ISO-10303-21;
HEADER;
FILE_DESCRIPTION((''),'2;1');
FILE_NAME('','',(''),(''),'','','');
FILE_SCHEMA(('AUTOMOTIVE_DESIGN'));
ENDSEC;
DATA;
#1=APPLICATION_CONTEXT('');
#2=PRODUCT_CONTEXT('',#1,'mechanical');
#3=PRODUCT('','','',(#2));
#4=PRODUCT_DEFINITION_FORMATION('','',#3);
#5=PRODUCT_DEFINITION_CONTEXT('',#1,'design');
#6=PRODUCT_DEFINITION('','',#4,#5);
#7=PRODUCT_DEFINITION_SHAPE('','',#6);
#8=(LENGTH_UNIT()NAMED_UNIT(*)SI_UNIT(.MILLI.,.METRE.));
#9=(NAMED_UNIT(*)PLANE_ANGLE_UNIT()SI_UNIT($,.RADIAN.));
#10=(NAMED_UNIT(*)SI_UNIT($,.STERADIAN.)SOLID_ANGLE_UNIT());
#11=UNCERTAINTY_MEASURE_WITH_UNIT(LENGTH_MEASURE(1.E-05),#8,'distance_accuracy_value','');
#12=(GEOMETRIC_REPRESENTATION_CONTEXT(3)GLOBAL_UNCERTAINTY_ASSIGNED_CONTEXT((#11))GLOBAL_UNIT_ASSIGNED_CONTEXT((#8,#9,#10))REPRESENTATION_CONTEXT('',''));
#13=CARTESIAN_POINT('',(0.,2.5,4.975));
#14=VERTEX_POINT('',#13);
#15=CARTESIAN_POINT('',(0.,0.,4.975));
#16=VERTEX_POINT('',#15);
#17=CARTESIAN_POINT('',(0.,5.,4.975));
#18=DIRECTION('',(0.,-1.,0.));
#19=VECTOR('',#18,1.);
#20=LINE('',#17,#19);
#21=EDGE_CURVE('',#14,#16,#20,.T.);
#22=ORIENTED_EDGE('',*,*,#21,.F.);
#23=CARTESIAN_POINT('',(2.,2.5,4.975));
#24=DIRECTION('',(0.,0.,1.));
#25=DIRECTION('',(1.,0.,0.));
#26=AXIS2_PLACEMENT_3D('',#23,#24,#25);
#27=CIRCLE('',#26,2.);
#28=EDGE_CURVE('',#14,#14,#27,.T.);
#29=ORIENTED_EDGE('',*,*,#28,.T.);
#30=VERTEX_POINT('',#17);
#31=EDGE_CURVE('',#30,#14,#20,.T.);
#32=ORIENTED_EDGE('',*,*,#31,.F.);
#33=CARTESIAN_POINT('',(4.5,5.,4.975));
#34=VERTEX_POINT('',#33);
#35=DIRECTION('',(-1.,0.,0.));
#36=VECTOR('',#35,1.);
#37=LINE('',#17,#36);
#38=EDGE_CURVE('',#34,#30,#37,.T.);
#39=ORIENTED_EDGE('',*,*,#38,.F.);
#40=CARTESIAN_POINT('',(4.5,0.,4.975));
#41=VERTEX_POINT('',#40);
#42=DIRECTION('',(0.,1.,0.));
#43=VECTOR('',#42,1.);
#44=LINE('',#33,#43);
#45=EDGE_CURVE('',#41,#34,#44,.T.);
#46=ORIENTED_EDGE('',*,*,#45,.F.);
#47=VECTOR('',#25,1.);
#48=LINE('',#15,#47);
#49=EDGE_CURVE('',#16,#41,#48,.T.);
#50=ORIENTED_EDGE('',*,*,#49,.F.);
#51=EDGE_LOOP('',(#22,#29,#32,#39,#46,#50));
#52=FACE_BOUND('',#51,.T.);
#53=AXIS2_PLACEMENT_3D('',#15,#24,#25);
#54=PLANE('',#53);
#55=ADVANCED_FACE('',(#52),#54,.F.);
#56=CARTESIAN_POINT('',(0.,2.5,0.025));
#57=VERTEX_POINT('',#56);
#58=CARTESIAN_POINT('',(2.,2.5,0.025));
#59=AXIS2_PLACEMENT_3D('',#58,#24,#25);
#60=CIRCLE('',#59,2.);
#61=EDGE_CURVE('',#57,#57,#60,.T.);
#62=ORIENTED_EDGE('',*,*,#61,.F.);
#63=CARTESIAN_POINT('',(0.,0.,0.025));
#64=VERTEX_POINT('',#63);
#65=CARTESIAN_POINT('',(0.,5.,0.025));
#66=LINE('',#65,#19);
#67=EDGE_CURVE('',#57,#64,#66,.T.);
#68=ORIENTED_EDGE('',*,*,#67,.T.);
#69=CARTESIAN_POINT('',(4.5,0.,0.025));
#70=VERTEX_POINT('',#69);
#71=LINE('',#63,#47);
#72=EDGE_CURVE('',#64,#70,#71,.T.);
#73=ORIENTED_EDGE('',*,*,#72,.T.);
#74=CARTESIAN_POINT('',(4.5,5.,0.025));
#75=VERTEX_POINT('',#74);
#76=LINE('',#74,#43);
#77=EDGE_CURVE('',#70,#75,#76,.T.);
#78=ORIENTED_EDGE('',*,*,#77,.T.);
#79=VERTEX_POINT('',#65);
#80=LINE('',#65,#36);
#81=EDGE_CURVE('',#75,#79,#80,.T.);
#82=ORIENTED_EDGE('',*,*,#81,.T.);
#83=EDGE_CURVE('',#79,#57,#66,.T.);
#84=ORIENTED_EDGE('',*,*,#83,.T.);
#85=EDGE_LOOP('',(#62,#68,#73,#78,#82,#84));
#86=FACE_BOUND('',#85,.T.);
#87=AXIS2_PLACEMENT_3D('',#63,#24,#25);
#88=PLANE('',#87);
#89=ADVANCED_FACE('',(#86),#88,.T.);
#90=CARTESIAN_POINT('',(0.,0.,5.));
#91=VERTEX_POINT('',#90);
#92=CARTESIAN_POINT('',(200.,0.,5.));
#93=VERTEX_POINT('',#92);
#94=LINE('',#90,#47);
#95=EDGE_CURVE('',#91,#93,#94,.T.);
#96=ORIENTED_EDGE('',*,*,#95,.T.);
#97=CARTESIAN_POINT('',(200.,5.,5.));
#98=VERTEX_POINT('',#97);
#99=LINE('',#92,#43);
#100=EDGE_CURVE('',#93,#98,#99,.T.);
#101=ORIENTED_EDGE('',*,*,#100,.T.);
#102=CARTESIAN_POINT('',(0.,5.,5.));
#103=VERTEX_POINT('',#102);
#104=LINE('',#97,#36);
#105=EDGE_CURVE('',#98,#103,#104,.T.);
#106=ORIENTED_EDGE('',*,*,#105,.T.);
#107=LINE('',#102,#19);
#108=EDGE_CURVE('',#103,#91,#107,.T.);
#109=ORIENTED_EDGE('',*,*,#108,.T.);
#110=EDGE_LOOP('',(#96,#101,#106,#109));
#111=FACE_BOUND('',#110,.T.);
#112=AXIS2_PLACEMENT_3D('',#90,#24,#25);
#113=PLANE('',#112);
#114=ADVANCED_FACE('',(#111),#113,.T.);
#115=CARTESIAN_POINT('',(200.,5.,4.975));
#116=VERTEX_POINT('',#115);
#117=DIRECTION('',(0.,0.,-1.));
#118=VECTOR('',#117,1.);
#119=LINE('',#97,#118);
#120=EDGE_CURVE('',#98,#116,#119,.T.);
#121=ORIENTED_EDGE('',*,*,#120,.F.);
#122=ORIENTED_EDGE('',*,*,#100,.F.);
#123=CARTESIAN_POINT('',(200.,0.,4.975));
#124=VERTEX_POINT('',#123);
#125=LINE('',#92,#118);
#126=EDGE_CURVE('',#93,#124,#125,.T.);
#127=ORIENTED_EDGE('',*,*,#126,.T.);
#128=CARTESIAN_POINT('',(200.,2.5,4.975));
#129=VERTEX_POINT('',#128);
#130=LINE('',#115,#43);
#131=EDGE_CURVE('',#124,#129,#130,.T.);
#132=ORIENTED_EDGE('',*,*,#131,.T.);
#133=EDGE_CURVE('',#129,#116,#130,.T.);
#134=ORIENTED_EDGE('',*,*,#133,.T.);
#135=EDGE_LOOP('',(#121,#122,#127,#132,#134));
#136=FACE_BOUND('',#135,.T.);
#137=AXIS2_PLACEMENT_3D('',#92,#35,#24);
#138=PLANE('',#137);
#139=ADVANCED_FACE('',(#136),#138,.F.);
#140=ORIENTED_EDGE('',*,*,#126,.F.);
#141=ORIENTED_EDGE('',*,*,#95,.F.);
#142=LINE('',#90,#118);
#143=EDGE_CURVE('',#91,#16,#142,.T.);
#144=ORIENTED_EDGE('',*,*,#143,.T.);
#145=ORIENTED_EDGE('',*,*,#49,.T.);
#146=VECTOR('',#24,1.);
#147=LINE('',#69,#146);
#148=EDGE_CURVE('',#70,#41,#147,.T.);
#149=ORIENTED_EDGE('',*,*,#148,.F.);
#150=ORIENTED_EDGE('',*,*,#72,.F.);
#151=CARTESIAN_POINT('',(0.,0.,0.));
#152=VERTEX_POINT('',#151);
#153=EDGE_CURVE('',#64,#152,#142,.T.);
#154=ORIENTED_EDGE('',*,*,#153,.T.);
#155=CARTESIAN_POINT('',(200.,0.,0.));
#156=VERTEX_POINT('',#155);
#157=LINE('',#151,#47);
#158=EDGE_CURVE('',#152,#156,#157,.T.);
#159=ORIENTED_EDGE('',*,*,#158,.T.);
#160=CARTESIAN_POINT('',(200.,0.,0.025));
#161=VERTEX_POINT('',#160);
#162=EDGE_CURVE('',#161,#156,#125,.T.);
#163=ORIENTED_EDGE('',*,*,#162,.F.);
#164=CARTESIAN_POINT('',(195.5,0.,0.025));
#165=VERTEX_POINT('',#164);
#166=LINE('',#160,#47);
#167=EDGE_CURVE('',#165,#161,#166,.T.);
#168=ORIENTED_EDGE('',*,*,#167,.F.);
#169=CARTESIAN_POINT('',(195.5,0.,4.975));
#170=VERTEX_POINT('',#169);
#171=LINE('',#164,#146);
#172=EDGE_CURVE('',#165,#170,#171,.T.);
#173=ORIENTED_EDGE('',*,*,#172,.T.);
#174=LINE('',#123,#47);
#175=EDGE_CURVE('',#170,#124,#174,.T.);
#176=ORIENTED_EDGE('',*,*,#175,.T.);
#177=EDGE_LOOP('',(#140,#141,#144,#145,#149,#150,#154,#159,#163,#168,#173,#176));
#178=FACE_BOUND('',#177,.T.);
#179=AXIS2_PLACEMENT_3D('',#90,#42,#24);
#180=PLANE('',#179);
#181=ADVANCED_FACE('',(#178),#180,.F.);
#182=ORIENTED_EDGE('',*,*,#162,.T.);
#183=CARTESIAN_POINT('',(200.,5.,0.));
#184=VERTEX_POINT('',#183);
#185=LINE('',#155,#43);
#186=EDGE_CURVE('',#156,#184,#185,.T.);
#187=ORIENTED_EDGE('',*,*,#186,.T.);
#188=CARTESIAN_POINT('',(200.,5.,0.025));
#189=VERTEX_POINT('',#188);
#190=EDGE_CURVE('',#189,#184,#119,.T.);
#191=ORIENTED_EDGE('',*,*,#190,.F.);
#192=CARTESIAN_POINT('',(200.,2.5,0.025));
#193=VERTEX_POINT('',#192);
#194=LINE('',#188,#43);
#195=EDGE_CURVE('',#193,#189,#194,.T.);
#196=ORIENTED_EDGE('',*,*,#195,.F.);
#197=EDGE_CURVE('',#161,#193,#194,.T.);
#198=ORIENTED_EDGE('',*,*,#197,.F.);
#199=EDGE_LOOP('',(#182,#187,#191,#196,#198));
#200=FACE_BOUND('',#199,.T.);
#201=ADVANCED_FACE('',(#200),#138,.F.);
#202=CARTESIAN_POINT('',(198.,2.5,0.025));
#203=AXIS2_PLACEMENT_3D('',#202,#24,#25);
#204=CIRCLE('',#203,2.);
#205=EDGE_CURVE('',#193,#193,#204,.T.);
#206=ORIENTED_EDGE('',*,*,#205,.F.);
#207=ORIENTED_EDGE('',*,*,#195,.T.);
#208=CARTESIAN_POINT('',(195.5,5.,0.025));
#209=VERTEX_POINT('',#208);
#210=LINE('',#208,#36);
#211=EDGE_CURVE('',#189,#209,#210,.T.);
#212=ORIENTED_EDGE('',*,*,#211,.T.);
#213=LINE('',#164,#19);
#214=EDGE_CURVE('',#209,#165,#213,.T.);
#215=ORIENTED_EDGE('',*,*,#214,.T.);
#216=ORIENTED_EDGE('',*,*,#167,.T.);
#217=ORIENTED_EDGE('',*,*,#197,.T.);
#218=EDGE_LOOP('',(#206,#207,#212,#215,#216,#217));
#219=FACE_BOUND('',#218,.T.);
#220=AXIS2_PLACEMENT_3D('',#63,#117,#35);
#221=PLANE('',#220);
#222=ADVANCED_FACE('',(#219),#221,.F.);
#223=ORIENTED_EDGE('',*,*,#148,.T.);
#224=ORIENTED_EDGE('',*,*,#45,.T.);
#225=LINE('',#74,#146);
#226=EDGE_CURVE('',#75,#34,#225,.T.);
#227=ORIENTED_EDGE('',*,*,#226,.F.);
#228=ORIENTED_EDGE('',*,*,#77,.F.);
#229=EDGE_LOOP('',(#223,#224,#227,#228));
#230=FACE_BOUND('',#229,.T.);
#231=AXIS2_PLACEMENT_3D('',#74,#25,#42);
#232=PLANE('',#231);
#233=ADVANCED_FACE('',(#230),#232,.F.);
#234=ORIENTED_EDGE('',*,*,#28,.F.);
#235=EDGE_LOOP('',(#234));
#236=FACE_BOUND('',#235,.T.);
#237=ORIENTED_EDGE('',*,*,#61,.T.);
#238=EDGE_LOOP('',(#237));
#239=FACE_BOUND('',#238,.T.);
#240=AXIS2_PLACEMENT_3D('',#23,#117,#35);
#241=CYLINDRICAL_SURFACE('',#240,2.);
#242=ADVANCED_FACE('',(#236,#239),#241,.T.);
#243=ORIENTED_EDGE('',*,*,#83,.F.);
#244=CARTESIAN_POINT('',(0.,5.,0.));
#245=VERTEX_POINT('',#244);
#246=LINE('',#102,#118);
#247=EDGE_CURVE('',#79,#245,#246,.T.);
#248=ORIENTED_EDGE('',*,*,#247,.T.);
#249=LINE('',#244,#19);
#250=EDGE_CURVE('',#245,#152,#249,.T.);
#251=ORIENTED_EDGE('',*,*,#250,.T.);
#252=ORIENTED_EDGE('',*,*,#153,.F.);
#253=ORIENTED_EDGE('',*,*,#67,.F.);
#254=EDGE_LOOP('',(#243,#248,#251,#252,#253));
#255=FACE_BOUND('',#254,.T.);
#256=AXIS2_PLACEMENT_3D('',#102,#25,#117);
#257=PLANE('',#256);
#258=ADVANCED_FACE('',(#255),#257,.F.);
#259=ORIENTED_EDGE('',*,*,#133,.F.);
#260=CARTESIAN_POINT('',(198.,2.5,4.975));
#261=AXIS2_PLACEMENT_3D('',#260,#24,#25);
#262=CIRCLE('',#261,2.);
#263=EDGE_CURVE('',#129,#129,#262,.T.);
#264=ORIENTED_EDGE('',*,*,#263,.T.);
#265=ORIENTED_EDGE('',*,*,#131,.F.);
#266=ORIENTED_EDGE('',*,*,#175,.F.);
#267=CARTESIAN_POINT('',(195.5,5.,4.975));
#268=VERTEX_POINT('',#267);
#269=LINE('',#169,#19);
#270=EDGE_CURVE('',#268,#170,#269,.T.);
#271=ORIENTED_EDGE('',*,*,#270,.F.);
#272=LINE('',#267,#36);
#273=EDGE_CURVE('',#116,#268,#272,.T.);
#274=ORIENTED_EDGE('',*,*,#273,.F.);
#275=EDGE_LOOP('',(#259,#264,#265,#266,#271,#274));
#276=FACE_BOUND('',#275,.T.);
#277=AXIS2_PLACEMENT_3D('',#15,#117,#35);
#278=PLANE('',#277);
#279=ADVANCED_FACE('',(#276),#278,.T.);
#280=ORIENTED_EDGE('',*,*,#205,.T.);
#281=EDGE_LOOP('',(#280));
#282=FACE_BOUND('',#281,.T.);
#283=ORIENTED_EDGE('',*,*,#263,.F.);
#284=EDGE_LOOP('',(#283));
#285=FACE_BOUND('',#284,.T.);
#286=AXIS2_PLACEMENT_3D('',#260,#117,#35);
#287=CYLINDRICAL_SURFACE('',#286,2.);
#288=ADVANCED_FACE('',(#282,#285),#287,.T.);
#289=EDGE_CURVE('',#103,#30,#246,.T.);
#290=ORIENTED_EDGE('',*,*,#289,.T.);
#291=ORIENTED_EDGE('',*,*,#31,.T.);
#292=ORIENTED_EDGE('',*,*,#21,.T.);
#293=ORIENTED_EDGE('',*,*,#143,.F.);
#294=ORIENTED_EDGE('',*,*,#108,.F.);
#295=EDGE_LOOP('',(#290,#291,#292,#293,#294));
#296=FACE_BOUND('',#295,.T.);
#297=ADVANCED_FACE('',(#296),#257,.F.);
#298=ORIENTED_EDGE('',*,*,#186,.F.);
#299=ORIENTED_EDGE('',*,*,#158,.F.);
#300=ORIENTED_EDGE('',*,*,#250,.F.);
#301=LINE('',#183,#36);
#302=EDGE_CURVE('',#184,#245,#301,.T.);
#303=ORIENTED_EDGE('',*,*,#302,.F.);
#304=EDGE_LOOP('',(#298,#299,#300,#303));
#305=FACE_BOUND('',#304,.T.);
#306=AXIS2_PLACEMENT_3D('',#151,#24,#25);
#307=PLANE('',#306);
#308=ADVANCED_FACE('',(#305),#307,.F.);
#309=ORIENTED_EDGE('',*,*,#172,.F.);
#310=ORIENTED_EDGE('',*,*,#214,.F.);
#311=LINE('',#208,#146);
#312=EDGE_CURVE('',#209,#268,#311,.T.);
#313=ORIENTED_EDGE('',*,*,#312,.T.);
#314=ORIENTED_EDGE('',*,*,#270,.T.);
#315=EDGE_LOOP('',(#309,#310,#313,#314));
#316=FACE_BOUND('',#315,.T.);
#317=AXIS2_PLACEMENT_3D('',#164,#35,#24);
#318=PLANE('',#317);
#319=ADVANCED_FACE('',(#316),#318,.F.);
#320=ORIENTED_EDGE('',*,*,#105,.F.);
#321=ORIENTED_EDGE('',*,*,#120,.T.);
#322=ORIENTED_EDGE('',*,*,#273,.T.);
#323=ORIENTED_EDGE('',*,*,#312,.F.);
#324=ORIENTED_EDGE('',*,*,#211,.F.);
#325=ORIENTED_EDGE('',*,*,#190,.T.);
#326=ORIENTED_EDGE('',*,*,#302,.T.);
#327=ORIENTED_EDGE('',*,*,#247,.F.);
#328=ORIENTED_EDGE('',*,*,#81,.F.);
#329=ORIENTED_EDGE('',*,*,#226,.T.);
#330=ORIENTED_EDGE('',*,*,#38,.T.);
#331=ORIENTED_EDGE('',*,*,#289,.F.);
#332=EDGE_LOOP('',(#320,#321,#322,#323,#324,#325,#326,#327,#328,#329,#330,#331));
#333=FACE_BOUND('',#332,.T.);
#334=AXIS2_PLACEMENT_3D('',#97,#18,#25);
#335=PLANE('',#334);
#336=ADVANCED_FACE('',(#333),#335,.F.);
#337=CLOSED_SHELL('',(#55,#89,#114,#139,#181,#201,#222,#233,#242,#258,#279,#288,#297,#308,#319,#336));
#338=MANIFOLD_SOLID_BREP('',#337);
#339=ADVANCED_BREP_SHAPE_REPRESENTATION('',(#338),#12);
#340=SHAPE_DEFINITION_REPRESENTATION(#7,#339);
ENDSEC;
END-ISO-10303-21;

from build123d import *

# Parameters (mm, degrees)
SKETCH1_W           = 200
SKETCH1_H           = 5
BOSS_EXTRUDE1_DEPTH = 5
SKETCH2_W           = 4.5
SKETCH2_H           = 5
CUT_EXTRUDE1_DEPTH  = 2.475
SKETCH3_R           = 2
BOSS_EXTRUDE3_DEPTH = 4.95
SKETCH4_R           = 2
BOSS_EXTRUDE4_DEPTH = 4.95


with BuildPart() as part:
    # Sketch1 → Boss-Extrude1 (new body)
    with BuildSketch(Plane.XY):
        with Locations((100, 2.5)):
            Rectangle(SKETCH1_W, SKETCH1_H)
    extrude(amount=BOSS_EXTRUDE1_DEPTH)

    # Sketch2 → Cut-Extrude1 (cut, symmetric)
    with BuildSketch(Plane.XY.offset(2.5)):
        with Locations((2.25, 2.5)):
            Rectangle(SKETCH2_W, SKETCH2_H)
        with Locations((197.75, 2.5)):
            Rectangle(SKETCH2_W, SKETCH2_H)
    extrude(amount=CUT_EXTRUDE1_DEPTH, both=True, mode=Mode.SUBTRACT)

    # Sketch3 → Boss-Extrude3 (add)
    with BuildSketch(Plane.XY.offset(0.025)):
        with Locations(Location((2, 2.5, 0), (0, 0, 180))):
            Circle(SKETCH3_R)
    extrude(amount=BOSS_EXTRUDE3_DEPTH)

    # Sketch4 → Boss-Extrude4 (add)
    with BuildSketch(Plane.XY.offset(0.025)):
        with Locations((198, 2.5)):
            Circle(SKETCH4_R)
    extrude(amount=BOSS_EXTRUDE4_DEPTH)


solid = part.part
